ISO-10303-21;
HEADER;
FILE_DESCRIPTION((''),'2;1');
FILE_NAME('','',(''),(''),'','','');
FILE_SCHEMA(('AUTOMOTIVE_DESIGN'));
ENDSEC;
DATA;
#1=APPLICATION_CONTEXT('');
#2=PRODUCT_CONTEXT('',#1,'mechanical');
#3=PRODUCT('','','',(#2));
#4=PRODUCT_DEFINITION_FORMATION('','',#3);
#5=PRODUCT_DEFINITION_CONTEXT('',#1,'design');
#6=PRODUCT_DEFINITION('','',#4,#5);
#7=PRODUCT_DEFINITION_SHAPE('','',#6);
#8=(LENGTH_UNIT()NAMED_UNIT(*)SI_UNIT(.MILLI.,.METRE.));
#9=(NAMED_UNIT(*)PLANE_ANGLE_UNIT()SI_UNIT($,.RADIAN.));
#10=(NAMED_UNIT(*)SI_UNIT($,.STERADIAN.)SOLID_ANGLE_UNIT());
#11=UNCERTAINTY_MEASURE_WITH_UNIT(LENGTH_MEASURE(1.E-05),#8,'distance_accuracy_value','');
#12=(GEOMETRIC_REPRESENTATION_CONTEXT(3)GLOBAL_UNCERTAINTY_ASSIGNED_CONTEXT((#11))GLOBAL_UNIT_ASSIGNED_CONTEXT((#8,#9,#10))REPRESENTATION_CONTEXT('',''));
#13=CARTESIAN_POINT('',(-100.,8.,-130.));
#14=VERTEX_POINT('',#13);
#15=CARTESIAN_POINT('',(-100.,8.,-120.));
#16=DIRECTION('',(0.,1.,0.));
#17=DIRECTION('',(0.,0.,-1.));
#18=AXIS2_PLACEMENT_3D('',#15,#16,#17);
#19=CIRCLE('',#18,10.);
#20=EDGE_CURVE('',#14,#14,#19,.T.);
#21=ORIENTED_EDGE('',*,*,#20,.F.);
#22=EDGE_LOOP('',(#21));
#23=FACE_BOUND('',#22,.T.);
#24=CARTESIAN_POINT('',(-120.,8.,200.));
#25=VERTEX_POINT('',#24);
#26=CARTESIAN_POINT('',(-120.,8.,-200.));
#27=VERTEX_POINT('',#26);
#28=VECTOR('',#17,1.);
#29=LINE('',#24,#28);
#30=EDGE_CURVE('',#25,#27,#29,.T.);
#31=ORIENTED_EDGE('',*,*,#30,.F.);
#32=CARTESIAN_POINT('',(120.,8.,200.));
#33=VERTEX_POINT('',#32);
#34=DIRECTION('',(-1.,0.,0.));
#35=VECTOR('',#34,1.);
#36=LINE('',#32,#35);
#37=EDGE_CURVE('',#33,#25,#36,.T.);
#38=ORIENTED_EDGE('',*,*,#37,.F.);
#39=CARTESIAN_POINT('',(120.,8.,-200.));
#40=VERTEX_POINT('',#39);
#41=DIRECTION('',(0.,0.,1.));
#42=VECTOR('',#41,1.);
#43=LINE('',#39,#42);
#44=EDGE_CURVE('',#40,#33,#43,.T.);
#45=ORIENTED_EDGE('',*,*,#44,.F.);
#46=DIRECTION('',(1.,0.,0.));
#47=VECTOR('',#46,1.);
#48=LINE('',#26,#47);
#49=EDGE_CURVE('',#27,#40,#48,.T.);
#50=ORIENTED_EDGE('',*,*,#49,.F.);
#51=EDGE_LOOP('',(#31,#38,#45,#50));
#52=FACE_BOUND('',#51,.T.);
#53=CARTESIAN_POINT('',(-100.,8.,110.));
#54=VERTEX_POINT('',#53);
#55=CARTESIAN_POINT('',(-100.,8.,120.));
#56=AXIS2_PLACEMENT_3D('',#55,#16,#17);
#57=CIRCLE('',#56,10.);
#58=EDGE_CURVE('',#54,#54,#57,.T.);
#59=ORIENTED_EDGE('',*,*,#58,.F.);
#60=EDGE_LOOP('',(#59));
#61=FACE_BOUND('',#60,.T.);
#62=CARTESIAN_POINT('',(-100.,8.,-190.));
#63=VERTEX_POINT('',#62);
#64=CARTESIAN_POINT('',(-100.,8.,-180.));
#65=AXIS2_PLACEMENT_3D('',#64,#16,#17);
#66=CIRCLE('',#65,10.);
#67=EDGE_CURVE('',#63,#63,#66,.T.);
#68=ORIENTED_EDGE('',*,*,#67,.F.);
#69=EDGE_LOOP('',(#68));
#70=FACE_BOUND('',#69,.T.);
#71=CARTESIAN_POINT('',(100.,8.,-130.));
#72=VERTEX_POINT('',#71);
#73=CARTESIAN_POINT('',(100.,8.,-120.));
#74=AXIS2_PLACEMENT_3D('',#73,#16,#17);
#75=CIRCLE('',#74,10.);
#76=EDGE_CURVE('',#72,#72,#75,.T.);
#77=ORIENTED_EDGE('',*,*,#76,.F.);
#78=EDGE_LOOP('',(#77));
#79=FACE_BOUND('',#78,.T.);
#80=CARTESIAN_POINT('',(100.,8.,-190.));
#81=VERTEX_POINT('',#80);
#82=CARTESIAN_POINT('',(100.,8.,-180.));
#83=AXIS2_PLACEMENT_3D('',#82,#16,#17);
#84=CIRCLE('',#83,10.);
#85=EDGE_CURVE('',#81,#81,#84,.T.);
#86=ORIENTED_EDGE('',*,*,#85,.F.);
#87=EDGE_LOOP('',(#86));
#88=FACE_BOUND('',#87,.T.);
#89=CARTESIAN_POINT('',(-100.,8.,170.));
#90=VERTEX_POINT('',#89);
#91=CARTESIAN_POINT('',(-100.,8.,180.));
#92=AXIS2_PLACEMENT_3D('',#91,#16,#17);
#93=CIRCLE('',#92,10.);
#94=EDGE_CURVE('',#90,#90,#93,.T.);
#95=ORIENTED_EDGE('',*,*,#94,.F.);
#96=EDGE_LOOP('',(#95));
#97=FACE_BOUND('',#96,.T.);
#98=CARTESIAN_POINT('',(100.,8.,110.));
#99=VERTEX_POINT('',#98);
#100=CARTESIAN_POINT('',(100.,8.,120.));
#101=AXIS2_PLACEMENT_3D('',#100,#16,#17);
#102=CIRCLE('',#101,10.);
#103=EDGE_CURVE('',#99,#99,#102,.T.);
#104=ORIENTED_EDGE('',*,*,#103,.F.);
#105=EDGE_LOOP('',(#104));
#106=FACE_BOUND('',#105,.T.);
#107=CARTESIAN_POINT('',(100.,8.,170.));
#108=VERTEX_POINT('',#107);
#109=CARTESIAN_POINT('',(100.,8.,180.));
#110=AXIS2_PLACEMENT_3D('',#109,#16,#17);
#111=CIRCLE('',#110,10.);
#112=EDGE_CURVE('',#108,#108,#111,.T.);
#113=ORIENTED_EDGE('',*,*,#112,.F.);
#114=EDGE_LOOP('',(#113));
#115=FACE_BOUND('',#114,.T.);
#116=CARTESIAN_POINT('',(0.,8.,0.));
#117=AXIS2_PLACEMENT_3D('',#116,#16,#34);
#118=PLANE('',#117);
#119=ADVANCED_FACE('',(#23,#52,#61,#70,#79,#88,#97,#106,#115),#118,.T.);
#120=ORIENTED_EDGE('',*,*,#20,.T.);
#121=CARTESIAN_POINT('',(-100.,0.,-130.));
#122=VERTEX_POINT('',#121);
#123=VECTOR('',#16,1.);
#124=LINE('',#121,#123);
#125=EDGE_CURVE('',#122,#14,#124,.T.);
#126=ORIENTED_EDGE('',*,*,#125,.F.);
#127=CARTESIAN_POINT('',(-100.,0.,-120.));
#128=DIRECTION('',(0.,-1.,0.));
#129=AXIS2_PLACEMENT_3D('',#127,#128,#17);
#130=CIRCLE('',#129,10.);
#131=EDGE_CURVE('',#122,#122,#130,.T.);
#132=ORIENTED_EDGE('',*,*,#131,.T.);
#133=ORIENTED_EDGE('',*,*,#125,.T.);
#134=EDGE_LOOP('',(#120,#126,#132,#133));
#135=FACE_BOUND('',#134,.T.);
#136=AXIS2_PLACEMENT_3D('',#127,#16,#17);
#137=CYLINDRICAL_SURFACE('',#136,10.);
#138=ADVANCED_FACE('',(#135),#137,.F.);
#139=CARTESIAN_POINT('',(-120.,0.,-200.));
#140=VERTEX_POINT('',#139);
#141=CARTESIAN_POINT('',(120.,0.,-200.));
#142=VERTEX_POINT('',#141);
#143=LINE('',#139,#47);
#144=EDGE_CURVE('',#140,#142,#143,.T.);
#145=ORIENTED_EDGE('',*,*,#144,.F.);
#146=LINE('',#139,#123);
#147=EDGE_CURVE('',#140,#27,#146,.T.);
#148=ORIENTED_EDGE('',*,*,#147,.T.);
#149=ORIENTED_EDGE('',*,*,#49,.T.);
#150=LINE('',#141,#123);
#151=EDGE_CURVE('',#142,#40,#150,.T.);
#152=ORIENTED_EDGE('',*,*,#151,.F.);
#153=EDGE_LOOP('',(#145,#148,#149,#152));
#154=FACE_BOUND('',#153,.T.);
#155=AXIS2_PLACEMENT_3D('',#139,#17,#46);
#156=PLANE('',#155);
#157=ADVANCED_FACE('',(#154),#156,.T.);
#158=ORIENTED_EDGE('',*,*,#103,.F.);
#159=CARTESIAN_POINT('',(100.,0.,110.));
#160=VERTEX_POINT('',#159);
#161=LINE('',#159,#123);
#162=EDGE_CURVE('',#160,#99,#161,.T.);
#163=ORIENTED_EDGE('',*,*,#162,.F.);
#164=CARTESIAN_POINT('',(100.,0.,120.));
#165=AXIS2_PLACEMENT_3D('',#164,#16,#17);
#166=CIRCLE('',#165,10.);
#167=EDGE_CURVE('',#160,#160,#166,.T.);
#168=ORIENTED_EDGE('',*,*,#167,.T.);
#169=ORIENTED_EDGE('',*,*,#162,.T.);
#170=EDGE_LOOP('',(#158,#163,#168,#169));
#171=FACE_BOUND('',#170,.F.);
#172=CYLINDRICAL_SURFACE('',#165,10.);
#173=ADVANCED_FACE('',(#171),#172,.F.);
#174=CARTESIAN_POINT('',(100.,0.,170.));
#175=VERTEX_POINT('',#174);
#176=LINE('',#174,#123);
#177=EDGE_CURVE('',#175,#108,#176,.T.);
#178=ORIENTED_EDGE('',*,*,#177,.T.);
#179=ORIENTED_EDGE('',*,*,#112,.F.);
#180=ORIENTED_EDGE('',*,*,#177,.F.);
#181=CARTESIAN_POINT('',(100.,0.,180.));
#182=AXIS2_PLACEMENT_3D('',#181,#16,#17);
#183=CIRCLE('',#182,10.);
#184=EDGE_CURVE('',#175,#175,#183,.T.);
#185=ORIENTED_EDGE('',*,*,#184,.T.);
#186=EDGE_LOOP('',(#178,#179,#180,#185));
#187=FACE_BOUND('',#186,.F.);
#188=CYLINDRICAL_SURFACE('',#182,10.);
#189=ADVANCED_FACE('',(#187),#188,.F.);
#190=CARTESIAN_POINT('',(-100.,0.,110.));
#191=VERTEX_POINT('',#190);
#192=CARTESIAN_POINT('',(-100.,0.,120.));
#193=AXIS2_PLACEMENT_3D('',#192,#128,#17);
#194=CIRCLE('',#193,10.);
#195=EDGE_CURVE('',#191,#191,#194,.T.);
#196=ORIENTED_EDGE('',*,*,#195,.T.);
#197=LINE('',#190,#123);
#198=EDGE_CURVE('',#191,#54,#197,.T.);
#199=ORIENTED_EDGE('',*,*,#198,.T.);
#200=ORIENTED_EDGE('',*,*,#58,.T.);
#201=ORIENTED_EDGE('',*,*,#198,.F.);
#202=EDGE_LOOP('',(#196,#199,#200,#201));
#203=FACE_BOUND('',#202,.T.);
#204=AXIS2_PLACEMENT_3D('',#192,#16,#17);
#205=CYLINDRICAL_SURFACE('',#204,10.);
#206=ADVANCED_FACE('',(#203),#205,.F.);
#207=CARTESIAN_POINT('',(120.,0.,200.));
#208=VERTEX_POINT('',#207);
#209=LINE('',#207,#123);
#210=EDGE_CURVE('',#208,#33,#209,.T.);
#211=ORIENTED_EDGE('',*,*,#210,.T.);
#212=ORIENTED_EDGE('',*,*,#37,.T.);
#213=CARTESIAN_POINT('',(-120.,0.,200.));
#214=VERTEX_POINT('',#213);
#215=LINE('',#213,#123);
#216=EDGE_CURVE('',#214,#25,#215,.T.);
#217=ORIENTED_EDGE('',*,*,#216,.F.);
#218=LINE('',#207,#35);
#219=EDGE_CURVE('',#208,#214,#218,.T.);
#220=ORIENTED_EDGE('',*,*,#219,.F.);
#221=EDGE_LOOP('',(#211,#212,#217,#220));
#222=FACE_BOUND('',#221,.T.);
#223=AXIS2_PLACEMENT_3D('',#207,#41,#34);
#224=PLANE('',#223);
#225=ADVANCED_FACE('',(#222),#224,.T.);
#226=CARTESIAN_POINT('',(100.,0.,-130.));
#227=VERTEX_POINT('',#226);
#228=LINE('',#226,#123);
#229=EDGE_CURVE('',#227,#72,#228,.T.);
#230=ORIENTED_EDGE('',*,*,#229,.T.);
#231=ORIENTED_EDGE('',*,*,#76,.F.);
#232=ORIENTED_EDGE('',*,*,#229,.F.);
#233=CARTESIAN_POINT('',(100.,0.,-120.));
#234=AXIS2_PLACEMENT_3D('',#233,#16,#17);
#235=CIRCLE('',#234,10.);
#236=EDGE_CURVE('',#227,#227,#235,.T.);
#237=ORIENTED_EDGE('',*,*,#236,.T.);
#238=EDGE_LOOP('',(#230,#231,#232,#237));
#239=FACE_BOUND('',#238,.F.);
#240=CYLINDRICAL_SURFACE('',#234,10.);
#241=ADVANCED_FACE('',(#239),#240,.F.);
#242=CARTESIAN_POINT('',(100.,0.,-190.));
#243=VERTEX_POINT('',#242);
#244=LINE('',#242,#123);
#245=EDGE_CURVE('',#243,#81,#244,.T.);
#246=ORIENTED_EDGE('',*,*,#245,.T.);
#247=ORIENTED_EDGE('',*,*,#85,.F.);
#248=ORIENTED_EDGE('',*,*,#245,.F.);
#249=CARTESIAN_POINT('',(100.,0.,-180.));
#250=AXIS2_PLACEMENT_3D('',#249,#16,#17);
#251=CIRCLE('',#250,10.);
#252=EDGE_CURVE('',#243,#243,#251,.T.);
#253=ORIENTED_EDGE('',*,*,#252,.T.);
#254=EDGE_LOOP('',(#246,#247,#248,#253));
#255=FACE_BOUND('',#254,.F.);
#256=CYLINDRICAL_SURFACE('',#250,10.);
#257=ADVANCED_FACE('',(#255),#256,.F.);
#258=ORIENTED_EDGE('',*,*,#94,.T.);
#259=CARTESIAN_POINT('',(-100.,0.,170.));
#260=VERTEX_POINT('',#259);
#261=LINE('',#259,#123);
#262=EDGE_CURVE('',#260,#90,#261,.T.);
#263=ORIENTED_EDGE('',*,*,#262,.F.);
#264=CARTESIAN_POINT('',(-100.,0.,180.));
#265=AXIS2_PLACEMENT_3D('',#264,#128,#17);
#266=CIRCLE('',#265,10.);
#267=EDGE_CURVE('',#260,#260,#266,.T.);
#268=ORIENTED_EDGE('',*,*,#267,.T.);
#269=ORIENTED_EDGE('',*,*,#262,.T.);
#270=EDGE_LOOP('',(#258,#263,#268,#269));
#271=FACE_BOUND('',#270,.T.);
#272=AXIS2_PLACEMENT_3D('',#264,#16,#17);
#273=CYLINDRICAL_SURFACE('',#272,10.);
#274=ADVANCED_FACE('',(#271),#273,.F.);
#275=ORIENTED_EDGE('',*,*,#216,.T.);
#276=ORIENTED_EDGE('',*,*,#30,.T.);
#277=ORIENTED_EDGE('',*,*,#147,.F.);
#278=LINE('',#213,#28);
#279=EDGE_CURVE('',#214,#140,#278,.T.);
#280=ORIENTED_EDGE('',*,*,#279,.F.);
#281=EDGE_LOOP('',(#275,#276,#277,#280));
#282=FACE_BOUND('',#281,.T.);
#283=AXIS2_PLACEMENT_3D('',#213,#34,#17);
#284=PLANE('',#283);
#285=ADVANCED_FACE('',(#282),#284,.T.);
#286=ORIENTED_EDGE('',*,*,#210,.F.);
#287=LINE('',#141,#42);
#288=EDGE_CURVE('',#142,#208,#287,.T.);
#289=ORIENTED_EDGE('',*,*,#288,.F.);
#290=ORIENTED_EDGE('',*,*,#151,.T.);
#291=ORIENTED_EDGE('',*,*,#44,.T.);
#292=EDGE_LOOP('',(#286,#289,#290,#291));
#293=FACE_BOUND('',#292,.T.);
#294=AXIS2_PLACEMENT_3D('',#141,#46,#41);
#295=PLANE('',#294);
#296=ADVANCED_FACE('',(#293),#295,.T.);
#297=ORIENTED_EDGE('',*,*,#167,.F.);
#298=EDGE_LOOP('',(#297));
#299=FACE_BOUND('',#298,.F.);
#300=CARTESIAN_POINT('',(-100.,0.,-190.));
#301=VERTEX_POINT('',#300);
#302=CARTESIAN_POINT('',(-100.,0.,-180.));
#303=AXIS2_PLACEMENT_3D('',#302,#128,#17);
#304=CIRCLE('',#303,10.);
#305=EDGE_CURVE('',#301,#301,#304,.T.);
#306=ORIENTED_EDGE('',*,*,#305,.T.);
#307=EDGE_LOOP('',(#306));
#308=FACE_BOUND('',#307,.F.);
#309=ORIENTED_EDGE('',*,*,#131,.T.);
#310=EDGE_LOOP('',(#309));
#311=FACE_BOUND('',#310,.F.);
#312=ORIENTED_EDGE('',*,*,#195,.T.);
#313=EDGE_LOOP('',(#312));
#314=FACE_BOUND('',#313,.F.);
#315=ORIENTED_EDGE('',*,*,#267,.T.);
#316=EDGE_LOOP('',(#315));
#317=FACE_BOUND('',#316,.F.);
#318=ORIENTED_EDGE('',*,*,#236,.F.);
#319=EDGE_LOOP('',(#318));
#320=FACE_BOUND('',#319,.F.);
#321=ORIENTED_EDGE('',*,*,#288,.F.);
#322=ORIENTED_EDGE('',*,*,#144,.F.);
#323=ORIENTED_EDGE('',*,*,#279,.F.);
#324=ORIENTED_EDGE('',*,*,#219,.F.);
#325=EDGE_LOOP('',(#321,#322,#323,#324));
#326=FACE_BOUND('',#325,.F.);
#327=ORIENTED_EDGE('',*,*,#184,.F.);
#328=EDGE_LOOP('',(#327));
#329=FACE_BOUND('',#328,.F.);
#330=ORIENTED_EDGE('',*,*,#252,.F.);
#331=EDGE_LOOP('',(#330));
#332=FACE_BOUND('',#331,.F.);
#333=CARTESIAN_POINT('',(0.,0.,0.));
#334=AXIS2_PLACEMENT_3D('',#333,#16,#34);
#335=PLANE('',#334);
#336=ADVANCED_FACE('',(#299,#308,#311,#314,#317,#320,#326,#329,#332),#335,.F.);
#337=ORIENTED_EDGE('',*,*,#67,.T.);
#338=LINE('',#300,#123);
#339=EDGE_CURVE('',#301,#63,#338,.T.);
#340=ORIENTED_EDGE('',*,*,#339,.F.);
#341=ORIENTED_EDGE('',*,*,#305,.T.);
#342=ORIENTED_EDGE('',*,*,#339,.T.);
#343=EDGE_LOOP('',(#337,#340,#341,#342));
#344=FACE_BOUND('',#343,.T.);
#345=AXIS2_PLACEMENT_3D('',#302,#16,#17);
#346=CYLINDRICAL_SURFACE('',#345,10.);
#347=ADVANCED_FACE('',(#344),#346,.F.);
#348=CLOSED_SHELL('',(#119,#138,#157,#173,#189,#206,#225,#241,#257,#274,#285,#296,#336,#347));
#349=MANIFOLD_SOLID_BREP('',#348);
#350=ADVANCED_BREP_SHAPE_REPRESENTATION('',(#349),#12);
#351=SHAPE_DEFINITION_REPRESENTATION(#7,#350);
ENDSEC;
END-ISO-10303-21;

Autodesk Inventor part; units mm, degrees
ref_plane "YZ Plane" through (0, 0, 0) normal (1, 0, 0) x (0, 1, 0)
ref_plane "XZ Plane" through (0, 0, 0) normal (0, 1, 0) x (-1, 0, 0)
ref_plane "XY Plane" through (0, 0, 0) normal (0, 0, 1) x (1, 0, 0)
sketch "Sketch1" plane through (0, 0, 0) normal (0, 1, 0) x (-1, 0, 0)
  line L0 (120, -200) -> (-120, -200)
  line L1 (-120, -200) -> (-120, 200)
  line L2 (-120, 200) -> (120, 200)
  line L3 (120, 200) -> (120, -200)
  line L4 (120, -200) -> (-120, 200) construction
  line L5 (-120, -200) -> (120, 200) construction
  point P0 (0, 0)
  point P1 (0, 0)
  dimension "d16" = 240
  dimension "d17" = 400
extrude "Plate1" add sketch "Sketch1" along normal blind 8
sketch "Sketch2" plane through (0, 0, 0) normal (0, -1, 0) x (1, 0, 0)
  line L0 (100, 180) -> (100, -180) construction
  line L1 (-120, -200) -> (120, -200) projected
  line L2 (120, -200) -> (120, 200) projected
  line L3 (120, 200) -> (-120, 200) projected
  line L4 (-120, 200) -> (-120, -200) projected
  point P0 (100, 0)
  point P1 (100, 0)
  point P2 (0, 0)
  point P3 (100, 120)
  point P4 (100, -120)
  dimension "d19" = 20
  dimension "d20" = 20
  dimension "d21" = 360
  dimension "d22" = 120
  dimension "d23" = 120
hole "Hole1" at (100, 0, 180) at (100, 0, -180) at (100, 0, -120) at (100, 0, 120) direction (0, 1, 0) diameter 20 end through all
mirror "Mirror1" about plane through (0, 0, 0) normal (1, 0, 0) of "Hole1"
equation "\"d20\" = d19"
equation "\"d23\" = d22"
equation "\"d3\" = d19"
equation "\"d8\" = Thickness"
equation "\"d2\" = Thickness"
equation "\"BendRadius\" = Thickness"
equation "\"BendReliefWidth\" = Thickness"
equation "\"BendReliefDepth\" = 0.5 * Thickness"
equation "\"CornerReliefSize\" = 4 * Thickness"
equation "\"MinimumRemnant\" = 2 * Thickness"
equation "\"TransitionRadius\" = BendRadius"
equation "\"JacobiRadiusSize\" = BendRadius"
equation "\"GapSize\" = Thickness"
equation "\"Thickness\" = 8"
properties part number "Ухо на швеллер пямое"
